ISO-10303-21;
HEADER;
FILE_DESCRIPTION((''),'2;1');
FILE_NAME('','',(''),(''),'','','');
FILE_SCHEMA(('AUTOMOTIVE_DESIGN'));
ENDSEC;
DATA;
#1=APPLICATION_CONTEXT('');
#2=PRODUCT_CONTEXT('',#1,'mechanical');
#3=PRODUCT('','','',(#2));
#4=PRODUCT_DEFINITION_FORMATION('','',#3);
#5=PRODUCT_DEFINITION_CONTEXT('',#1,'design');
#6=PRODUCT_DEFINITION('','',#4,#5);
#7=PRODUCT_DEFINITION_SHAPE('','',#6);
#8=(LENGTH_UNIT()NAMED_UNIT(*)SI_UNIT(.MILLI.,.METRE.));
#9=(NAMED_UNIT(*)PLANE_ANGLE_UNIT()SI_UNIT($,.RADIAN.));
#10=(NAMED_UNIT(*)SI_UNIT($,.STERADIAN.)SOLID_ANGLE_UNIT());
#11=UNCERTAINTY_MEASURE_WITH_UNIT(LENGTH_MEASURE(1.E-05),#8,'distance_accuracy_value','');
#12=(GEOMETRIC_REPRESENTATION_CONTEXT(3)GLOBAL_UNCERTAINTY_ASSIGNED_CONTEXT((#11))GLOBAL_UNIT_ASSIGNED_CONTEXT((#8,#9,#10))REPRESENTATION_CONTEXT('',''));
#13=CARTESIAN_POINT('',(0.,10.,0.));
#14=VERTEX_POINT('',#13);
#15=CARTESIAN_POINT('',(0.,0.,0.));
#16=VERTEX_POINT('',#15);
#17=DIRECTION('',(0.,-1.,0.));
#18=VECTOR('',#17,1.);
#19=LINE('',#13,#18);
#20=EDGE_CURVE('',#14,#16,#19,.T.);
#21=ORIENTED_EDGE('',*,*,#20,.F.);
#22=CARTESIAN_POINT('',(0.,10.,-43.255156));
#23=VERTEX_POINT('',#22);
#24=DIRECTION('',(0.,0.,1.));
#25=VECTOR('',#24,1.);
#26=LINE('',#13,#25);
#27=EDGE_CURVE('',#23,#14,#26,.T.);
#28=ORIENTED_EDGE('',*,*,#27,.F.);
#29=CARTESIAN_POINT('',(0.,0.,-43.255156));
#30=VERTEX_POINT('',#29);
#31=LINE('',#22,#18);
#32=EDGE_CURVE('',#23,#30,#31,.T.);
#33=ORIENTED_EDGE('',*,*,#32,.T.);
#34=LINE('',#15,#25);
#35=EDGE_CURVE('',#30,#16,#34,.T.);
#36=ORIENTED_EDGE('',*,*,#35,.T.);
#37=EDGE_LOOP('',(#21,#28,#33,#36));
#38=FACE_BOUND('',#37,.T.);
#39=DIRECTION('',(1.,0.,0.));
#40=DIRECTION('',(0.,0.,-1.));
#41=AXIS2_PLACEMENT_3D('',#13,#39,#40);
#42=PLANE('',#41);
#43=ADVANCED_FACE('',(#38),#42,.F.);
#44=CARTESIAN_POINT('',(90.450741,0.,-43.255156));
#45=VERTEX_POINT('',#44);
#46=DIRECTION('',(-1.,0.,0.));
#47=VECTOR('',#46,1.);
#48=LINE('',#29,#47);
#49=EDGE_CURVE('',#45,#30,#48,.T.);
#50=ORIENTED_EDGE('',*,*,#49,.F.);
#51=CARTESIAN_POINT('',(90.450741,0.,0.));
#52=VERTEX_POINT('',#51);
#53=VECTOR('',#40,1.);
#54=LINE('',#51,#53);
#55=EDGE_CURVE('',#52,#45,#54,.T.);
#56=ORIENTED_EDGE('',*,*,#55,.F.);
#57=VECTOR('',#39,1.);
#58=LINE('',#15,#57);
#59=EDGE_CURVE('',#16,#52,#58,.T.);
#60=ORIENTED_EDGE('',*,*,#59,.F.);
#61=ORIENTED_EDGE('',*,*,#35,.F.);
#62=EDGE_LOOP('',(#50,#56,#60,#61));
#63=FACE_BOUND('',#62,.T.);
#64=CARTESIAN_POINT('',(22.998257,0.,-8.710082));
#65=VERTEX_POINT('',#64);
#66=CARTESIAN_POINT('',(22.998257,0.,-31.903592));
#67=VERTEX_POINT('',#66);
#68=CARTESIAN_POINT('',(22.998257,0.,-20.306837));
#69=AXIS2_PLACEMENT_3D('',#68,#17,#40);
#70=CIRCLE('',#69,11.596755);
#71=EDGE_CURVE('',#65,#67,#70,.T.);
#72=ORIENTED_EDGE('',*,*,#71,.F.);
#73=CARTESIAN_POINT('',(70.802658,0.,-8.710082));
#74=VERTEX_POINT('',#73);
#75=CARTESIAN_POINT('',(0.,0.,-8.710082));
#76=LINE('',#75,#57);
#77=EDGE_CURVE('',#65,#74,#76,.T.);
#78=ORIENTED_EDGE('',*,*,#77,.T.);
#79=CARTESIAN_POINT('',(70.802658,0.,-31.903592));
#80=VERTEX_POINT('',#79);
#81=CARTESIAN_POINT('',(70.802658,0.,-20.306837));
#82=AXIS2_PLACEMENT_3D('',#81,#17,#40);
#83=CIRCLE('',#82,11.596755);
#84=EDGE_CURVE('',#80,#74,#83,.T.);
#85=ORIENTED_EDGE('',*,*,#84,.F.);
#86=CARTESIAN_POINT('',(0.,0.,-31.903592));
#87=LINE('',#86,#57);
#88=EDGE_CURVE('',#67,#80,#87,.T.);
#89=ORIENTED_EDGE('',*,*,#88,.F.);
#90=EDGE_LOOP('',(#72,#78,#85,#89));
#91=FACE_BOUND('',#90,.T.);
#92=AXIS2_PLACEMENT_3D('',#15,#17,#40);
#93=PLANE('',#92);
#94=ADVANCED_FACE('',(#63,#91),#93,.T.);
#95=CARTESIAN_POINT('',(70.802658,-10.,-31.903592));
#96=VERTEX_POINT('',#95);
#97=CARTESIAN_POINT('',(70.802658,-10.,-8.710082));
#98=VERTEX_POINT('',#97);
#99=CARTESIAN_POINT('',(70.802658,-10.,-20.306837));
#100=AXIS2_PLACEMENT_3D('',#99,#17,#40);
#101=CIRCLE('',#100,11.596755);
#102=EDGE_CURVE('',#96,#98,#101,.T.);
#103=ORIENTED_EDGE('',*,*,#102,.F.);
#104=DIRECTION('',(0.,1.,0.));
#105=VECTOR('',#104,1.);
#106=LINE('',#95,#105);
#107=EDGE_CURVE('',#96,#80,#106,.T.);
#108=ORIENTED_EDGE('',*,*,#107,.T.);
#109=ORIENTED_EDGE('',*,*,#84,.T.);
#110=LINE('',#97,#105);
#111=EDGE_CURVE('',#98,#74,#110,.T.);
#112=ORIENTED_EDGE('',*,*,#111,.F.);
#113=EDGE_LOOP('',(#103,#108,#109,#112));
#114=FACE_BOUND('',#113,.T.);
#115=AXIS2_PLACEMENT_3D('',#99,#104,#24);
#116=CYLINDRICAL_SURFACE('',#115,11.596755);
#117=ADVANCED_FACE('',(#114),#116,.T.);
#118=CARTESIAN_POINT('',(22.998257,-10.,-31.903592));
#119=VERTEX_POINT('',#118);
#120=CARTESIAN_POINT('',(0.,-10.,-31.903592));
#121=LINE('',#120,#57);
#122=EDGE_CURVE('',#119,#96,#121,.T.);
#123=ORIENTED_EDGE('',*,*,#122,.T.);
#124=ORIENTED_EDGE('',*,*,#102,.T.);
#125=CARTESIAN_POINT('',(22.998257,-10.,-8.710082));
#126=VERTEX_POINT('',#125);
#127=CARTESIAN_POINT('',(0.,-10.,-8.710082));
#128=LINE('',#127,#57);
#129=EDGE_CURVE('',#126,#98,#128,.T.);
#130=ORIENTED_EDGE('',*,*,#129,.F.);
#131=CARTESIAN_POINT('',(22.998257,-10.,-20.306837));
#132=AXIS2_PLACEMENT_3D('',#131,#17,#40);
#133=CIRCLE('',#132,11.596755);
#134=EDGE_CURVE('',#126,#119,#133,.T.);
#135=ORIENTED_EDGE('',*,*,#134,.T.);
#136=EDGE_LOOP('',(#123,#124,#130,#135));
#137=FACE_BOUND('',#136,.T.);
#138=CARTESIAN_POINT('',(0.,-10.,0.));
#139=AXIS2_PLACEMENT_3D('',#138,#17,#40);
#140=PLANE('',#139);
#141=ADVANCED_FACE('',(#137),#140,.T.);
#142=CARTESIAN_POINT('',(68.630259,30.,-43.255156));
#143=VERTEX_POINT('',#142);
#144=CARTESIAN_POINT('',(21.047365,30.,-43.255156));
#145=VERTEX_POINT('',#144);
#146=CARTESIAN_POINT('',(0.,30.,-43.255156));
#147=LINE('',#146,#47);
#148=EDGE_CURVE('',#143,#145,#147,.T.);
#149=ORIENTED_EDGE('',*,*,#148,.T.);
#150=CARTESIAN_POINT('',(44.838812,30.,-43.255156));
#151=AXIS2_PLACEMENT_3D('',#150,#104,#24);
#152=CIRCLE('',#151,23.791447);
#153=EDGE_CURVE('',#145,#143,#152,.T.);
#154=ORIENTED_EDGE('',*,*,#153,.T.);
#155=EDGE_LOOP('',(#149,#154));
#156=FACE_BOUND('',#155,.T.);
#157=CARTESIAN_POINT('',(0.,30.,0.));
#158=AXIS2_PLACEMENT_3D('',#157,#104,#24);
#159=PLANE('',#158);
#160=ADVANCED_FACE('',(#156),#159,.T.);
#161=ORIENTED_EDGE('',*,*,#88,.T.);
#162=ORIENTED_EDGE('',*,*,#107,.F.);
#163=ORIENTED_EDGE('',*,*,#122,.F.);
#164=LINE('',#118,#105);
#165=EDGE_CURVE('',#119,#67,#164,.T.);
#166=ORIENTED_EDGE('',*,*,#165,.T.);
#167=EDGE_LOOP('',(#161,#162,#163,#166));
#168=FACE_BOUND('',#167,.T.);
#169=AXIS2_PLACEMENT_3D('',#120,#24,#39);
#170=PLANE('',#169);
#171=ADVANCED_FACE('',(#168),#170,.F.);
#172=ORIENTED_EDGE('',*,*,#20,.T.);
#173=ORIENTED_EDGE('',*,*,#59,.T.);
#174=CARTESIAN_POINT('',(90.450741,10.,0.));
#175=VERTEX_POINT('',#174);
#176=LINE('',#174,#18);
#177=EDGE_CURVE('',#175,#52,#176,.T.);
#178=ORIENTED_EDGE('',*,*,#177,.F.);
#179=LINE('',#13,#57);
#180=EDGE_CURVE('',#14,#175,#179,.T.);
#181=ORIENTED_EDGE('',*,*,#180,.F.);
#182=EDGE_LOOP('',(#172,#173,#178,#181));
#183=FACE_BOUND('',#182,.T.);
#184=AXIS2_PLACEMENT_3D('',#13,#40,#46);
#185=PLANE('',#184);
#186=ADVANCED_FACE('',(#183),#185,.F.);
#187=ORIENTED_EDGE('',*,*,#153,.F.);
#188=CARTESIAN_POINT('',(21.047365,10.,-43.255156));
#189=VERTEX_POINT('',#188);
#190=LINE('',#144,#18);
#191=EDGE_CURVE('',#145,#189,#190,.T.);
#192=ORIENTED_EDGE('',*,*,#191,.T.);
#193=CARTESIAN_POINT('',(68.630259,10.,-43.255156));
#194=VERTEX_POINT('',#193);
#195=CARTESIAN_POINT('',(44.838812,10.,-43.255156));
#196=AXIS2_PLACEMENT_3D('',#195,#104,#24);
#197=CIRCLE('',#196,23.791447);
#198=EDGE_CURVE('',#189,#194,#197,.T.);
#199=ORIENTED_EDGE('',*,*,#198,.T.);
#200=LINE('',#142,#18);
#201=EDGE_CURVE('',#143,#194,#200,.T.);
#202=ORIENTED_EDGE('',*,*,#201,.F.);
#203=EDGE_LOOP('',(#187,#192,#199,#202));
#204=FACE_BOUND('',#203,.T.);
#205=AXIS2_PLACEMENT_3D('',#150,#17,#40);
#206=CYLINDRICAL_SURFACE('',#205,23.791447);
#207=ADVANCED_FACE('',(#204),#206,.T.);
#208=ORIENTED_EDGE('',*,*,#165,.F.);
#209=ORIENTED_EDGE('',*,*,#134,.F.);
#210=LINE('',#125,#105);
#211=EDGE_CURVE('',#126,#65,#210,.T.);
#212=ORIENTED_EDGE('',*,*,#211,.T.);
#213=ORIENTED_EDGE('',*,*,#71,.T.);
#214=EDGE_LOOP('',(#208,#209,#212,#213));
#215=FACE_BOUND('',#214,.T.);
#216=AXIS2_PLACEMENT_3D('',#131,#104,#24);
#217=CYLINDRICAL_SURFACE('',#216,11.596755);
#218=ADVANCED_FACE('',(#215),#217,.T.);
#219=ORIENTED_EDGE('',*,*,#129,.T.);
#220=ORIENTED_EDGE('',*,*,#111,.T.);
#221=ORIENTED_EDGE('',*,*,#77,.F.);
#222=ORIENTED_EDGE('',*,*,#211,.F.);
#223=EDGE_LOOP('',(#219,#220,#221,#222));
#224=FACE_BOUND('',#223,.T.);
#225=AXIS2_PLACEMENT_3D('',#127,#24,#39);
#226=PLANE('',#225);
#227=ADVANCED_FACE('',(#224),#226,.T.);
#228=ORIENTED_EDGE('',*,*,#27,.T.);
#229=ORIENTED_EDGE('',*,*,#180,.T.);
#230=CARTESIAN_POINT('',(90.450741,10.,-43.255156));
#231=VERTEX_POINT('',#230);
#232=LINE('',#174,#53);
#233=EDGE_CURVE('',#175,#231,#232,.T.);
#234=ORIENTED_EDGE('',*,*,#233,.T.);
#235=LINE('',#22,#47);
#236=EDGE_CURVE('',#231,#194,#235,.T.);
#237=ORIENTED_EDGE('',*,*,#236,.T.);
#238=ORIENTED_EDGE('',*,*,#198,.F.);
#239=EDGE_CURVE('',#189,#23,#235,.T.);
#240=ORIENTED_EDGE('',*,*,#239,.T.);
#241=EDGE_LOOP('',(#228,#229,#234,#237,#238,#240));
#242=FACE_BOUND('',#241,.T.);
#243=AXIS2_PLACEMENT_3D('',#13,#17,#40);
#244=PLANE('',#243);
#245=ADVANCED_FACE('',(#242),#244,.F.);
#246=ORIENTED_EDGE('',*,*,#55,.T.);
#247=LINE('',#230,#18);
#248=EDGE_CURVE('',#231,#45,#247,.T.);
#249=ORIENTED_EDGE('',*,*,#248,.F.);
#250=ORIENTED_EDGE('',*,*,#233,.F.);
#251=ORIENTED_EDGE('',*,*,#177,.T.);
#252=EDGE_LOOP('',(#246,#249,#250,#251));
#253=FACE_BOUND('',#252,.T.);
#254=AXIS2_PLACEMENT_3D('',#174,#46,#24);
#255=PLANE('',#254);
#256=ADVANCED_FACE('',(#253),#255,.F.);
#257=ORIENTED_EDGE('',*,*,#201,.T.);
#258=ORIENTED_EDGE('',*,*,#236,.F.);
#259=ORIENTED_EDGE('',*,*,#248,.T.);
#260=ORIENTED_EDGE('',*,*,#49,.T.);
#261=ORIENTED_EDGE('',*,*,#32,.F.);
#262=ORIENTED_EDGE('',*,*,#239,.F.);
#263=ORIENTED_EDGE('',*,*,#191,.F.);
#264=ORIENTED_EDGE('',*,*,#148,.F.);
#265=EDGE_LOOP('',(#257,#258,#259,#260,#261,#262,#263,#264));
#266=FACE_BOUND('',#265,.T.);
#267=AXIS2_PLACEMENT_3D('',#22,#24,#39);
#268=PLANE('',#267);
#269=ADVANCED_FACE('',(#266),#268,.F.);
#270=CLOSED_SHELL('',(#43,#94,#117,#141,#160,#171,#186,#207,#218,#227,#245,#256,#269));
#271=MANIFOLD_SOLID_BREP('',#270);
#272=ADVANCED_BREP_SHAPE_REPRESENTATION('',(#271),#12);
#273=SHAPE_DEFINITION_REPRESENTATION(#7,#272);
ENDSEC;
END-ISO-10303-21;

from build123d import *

# Parameters (mm, degrees)
SKETCH_1_W      = 90.450741223
SKETCH_1_H      = 43.255156446
EXTRUDE_1_DEPTH = 10
EXTRUDE_2_DEPTH = 20
EXTRUDE_3_DEPTH = 10


with BuildPart() as part:
    # 草图1 → 凸台-拉伸1 (new body)
    with BuildSketch(Plane(origin=(0, 0, 0), x_dir=(1, 0, 0), z_dir=(0, 1, 0))):
        with Locations((45.225370612, 21.627578223)):
            Rectangle(SKETCH_1_W, SKETCH_1_H)
    extrude(amount=EXTRUDE_1_DEPTH)

    # 草图2 → 凸台-拉伸2 (add)
    with BuildSketch(Plane(origin=(0, 10, 0), x_dir=(1, 0, 0), z_dir=(0, 1, 0))):
        with BuildLine():
            Line((68.630258788, 43.255156446), (21.047365446, 43.255156446))
            ThreePointArc((21.047365446, 43.255156446), (44.838812117, 19.463709775), (68.630258788, 43.255156446))
        make_face()
    extrude(amount=EXTRUDE_2_DEPTH)

    # 草图3 → 凸台-拉伸3 (add)
    with BuildSketch(Plane.XZ):
        with BuildLine():
            Line((22.99825717, -8.71008186), (70.802657673, -8.71008186))
            ThreePointArc((70.802657673, -8.71008186), (82.399412512, -20.3068367), (70.802657673, -31.903591539))
            Line((70.802657673, -31.903591539), (22.99825717, -31.903591539))
            ThreePointArc((22.99825717, -31.903591539), (11.40150233, -20.3068367), (22.99825717, -8.71008186))
        make_face()
    extrude(amount=EXTRUDE_3_DEPTH)


solid = part.part
